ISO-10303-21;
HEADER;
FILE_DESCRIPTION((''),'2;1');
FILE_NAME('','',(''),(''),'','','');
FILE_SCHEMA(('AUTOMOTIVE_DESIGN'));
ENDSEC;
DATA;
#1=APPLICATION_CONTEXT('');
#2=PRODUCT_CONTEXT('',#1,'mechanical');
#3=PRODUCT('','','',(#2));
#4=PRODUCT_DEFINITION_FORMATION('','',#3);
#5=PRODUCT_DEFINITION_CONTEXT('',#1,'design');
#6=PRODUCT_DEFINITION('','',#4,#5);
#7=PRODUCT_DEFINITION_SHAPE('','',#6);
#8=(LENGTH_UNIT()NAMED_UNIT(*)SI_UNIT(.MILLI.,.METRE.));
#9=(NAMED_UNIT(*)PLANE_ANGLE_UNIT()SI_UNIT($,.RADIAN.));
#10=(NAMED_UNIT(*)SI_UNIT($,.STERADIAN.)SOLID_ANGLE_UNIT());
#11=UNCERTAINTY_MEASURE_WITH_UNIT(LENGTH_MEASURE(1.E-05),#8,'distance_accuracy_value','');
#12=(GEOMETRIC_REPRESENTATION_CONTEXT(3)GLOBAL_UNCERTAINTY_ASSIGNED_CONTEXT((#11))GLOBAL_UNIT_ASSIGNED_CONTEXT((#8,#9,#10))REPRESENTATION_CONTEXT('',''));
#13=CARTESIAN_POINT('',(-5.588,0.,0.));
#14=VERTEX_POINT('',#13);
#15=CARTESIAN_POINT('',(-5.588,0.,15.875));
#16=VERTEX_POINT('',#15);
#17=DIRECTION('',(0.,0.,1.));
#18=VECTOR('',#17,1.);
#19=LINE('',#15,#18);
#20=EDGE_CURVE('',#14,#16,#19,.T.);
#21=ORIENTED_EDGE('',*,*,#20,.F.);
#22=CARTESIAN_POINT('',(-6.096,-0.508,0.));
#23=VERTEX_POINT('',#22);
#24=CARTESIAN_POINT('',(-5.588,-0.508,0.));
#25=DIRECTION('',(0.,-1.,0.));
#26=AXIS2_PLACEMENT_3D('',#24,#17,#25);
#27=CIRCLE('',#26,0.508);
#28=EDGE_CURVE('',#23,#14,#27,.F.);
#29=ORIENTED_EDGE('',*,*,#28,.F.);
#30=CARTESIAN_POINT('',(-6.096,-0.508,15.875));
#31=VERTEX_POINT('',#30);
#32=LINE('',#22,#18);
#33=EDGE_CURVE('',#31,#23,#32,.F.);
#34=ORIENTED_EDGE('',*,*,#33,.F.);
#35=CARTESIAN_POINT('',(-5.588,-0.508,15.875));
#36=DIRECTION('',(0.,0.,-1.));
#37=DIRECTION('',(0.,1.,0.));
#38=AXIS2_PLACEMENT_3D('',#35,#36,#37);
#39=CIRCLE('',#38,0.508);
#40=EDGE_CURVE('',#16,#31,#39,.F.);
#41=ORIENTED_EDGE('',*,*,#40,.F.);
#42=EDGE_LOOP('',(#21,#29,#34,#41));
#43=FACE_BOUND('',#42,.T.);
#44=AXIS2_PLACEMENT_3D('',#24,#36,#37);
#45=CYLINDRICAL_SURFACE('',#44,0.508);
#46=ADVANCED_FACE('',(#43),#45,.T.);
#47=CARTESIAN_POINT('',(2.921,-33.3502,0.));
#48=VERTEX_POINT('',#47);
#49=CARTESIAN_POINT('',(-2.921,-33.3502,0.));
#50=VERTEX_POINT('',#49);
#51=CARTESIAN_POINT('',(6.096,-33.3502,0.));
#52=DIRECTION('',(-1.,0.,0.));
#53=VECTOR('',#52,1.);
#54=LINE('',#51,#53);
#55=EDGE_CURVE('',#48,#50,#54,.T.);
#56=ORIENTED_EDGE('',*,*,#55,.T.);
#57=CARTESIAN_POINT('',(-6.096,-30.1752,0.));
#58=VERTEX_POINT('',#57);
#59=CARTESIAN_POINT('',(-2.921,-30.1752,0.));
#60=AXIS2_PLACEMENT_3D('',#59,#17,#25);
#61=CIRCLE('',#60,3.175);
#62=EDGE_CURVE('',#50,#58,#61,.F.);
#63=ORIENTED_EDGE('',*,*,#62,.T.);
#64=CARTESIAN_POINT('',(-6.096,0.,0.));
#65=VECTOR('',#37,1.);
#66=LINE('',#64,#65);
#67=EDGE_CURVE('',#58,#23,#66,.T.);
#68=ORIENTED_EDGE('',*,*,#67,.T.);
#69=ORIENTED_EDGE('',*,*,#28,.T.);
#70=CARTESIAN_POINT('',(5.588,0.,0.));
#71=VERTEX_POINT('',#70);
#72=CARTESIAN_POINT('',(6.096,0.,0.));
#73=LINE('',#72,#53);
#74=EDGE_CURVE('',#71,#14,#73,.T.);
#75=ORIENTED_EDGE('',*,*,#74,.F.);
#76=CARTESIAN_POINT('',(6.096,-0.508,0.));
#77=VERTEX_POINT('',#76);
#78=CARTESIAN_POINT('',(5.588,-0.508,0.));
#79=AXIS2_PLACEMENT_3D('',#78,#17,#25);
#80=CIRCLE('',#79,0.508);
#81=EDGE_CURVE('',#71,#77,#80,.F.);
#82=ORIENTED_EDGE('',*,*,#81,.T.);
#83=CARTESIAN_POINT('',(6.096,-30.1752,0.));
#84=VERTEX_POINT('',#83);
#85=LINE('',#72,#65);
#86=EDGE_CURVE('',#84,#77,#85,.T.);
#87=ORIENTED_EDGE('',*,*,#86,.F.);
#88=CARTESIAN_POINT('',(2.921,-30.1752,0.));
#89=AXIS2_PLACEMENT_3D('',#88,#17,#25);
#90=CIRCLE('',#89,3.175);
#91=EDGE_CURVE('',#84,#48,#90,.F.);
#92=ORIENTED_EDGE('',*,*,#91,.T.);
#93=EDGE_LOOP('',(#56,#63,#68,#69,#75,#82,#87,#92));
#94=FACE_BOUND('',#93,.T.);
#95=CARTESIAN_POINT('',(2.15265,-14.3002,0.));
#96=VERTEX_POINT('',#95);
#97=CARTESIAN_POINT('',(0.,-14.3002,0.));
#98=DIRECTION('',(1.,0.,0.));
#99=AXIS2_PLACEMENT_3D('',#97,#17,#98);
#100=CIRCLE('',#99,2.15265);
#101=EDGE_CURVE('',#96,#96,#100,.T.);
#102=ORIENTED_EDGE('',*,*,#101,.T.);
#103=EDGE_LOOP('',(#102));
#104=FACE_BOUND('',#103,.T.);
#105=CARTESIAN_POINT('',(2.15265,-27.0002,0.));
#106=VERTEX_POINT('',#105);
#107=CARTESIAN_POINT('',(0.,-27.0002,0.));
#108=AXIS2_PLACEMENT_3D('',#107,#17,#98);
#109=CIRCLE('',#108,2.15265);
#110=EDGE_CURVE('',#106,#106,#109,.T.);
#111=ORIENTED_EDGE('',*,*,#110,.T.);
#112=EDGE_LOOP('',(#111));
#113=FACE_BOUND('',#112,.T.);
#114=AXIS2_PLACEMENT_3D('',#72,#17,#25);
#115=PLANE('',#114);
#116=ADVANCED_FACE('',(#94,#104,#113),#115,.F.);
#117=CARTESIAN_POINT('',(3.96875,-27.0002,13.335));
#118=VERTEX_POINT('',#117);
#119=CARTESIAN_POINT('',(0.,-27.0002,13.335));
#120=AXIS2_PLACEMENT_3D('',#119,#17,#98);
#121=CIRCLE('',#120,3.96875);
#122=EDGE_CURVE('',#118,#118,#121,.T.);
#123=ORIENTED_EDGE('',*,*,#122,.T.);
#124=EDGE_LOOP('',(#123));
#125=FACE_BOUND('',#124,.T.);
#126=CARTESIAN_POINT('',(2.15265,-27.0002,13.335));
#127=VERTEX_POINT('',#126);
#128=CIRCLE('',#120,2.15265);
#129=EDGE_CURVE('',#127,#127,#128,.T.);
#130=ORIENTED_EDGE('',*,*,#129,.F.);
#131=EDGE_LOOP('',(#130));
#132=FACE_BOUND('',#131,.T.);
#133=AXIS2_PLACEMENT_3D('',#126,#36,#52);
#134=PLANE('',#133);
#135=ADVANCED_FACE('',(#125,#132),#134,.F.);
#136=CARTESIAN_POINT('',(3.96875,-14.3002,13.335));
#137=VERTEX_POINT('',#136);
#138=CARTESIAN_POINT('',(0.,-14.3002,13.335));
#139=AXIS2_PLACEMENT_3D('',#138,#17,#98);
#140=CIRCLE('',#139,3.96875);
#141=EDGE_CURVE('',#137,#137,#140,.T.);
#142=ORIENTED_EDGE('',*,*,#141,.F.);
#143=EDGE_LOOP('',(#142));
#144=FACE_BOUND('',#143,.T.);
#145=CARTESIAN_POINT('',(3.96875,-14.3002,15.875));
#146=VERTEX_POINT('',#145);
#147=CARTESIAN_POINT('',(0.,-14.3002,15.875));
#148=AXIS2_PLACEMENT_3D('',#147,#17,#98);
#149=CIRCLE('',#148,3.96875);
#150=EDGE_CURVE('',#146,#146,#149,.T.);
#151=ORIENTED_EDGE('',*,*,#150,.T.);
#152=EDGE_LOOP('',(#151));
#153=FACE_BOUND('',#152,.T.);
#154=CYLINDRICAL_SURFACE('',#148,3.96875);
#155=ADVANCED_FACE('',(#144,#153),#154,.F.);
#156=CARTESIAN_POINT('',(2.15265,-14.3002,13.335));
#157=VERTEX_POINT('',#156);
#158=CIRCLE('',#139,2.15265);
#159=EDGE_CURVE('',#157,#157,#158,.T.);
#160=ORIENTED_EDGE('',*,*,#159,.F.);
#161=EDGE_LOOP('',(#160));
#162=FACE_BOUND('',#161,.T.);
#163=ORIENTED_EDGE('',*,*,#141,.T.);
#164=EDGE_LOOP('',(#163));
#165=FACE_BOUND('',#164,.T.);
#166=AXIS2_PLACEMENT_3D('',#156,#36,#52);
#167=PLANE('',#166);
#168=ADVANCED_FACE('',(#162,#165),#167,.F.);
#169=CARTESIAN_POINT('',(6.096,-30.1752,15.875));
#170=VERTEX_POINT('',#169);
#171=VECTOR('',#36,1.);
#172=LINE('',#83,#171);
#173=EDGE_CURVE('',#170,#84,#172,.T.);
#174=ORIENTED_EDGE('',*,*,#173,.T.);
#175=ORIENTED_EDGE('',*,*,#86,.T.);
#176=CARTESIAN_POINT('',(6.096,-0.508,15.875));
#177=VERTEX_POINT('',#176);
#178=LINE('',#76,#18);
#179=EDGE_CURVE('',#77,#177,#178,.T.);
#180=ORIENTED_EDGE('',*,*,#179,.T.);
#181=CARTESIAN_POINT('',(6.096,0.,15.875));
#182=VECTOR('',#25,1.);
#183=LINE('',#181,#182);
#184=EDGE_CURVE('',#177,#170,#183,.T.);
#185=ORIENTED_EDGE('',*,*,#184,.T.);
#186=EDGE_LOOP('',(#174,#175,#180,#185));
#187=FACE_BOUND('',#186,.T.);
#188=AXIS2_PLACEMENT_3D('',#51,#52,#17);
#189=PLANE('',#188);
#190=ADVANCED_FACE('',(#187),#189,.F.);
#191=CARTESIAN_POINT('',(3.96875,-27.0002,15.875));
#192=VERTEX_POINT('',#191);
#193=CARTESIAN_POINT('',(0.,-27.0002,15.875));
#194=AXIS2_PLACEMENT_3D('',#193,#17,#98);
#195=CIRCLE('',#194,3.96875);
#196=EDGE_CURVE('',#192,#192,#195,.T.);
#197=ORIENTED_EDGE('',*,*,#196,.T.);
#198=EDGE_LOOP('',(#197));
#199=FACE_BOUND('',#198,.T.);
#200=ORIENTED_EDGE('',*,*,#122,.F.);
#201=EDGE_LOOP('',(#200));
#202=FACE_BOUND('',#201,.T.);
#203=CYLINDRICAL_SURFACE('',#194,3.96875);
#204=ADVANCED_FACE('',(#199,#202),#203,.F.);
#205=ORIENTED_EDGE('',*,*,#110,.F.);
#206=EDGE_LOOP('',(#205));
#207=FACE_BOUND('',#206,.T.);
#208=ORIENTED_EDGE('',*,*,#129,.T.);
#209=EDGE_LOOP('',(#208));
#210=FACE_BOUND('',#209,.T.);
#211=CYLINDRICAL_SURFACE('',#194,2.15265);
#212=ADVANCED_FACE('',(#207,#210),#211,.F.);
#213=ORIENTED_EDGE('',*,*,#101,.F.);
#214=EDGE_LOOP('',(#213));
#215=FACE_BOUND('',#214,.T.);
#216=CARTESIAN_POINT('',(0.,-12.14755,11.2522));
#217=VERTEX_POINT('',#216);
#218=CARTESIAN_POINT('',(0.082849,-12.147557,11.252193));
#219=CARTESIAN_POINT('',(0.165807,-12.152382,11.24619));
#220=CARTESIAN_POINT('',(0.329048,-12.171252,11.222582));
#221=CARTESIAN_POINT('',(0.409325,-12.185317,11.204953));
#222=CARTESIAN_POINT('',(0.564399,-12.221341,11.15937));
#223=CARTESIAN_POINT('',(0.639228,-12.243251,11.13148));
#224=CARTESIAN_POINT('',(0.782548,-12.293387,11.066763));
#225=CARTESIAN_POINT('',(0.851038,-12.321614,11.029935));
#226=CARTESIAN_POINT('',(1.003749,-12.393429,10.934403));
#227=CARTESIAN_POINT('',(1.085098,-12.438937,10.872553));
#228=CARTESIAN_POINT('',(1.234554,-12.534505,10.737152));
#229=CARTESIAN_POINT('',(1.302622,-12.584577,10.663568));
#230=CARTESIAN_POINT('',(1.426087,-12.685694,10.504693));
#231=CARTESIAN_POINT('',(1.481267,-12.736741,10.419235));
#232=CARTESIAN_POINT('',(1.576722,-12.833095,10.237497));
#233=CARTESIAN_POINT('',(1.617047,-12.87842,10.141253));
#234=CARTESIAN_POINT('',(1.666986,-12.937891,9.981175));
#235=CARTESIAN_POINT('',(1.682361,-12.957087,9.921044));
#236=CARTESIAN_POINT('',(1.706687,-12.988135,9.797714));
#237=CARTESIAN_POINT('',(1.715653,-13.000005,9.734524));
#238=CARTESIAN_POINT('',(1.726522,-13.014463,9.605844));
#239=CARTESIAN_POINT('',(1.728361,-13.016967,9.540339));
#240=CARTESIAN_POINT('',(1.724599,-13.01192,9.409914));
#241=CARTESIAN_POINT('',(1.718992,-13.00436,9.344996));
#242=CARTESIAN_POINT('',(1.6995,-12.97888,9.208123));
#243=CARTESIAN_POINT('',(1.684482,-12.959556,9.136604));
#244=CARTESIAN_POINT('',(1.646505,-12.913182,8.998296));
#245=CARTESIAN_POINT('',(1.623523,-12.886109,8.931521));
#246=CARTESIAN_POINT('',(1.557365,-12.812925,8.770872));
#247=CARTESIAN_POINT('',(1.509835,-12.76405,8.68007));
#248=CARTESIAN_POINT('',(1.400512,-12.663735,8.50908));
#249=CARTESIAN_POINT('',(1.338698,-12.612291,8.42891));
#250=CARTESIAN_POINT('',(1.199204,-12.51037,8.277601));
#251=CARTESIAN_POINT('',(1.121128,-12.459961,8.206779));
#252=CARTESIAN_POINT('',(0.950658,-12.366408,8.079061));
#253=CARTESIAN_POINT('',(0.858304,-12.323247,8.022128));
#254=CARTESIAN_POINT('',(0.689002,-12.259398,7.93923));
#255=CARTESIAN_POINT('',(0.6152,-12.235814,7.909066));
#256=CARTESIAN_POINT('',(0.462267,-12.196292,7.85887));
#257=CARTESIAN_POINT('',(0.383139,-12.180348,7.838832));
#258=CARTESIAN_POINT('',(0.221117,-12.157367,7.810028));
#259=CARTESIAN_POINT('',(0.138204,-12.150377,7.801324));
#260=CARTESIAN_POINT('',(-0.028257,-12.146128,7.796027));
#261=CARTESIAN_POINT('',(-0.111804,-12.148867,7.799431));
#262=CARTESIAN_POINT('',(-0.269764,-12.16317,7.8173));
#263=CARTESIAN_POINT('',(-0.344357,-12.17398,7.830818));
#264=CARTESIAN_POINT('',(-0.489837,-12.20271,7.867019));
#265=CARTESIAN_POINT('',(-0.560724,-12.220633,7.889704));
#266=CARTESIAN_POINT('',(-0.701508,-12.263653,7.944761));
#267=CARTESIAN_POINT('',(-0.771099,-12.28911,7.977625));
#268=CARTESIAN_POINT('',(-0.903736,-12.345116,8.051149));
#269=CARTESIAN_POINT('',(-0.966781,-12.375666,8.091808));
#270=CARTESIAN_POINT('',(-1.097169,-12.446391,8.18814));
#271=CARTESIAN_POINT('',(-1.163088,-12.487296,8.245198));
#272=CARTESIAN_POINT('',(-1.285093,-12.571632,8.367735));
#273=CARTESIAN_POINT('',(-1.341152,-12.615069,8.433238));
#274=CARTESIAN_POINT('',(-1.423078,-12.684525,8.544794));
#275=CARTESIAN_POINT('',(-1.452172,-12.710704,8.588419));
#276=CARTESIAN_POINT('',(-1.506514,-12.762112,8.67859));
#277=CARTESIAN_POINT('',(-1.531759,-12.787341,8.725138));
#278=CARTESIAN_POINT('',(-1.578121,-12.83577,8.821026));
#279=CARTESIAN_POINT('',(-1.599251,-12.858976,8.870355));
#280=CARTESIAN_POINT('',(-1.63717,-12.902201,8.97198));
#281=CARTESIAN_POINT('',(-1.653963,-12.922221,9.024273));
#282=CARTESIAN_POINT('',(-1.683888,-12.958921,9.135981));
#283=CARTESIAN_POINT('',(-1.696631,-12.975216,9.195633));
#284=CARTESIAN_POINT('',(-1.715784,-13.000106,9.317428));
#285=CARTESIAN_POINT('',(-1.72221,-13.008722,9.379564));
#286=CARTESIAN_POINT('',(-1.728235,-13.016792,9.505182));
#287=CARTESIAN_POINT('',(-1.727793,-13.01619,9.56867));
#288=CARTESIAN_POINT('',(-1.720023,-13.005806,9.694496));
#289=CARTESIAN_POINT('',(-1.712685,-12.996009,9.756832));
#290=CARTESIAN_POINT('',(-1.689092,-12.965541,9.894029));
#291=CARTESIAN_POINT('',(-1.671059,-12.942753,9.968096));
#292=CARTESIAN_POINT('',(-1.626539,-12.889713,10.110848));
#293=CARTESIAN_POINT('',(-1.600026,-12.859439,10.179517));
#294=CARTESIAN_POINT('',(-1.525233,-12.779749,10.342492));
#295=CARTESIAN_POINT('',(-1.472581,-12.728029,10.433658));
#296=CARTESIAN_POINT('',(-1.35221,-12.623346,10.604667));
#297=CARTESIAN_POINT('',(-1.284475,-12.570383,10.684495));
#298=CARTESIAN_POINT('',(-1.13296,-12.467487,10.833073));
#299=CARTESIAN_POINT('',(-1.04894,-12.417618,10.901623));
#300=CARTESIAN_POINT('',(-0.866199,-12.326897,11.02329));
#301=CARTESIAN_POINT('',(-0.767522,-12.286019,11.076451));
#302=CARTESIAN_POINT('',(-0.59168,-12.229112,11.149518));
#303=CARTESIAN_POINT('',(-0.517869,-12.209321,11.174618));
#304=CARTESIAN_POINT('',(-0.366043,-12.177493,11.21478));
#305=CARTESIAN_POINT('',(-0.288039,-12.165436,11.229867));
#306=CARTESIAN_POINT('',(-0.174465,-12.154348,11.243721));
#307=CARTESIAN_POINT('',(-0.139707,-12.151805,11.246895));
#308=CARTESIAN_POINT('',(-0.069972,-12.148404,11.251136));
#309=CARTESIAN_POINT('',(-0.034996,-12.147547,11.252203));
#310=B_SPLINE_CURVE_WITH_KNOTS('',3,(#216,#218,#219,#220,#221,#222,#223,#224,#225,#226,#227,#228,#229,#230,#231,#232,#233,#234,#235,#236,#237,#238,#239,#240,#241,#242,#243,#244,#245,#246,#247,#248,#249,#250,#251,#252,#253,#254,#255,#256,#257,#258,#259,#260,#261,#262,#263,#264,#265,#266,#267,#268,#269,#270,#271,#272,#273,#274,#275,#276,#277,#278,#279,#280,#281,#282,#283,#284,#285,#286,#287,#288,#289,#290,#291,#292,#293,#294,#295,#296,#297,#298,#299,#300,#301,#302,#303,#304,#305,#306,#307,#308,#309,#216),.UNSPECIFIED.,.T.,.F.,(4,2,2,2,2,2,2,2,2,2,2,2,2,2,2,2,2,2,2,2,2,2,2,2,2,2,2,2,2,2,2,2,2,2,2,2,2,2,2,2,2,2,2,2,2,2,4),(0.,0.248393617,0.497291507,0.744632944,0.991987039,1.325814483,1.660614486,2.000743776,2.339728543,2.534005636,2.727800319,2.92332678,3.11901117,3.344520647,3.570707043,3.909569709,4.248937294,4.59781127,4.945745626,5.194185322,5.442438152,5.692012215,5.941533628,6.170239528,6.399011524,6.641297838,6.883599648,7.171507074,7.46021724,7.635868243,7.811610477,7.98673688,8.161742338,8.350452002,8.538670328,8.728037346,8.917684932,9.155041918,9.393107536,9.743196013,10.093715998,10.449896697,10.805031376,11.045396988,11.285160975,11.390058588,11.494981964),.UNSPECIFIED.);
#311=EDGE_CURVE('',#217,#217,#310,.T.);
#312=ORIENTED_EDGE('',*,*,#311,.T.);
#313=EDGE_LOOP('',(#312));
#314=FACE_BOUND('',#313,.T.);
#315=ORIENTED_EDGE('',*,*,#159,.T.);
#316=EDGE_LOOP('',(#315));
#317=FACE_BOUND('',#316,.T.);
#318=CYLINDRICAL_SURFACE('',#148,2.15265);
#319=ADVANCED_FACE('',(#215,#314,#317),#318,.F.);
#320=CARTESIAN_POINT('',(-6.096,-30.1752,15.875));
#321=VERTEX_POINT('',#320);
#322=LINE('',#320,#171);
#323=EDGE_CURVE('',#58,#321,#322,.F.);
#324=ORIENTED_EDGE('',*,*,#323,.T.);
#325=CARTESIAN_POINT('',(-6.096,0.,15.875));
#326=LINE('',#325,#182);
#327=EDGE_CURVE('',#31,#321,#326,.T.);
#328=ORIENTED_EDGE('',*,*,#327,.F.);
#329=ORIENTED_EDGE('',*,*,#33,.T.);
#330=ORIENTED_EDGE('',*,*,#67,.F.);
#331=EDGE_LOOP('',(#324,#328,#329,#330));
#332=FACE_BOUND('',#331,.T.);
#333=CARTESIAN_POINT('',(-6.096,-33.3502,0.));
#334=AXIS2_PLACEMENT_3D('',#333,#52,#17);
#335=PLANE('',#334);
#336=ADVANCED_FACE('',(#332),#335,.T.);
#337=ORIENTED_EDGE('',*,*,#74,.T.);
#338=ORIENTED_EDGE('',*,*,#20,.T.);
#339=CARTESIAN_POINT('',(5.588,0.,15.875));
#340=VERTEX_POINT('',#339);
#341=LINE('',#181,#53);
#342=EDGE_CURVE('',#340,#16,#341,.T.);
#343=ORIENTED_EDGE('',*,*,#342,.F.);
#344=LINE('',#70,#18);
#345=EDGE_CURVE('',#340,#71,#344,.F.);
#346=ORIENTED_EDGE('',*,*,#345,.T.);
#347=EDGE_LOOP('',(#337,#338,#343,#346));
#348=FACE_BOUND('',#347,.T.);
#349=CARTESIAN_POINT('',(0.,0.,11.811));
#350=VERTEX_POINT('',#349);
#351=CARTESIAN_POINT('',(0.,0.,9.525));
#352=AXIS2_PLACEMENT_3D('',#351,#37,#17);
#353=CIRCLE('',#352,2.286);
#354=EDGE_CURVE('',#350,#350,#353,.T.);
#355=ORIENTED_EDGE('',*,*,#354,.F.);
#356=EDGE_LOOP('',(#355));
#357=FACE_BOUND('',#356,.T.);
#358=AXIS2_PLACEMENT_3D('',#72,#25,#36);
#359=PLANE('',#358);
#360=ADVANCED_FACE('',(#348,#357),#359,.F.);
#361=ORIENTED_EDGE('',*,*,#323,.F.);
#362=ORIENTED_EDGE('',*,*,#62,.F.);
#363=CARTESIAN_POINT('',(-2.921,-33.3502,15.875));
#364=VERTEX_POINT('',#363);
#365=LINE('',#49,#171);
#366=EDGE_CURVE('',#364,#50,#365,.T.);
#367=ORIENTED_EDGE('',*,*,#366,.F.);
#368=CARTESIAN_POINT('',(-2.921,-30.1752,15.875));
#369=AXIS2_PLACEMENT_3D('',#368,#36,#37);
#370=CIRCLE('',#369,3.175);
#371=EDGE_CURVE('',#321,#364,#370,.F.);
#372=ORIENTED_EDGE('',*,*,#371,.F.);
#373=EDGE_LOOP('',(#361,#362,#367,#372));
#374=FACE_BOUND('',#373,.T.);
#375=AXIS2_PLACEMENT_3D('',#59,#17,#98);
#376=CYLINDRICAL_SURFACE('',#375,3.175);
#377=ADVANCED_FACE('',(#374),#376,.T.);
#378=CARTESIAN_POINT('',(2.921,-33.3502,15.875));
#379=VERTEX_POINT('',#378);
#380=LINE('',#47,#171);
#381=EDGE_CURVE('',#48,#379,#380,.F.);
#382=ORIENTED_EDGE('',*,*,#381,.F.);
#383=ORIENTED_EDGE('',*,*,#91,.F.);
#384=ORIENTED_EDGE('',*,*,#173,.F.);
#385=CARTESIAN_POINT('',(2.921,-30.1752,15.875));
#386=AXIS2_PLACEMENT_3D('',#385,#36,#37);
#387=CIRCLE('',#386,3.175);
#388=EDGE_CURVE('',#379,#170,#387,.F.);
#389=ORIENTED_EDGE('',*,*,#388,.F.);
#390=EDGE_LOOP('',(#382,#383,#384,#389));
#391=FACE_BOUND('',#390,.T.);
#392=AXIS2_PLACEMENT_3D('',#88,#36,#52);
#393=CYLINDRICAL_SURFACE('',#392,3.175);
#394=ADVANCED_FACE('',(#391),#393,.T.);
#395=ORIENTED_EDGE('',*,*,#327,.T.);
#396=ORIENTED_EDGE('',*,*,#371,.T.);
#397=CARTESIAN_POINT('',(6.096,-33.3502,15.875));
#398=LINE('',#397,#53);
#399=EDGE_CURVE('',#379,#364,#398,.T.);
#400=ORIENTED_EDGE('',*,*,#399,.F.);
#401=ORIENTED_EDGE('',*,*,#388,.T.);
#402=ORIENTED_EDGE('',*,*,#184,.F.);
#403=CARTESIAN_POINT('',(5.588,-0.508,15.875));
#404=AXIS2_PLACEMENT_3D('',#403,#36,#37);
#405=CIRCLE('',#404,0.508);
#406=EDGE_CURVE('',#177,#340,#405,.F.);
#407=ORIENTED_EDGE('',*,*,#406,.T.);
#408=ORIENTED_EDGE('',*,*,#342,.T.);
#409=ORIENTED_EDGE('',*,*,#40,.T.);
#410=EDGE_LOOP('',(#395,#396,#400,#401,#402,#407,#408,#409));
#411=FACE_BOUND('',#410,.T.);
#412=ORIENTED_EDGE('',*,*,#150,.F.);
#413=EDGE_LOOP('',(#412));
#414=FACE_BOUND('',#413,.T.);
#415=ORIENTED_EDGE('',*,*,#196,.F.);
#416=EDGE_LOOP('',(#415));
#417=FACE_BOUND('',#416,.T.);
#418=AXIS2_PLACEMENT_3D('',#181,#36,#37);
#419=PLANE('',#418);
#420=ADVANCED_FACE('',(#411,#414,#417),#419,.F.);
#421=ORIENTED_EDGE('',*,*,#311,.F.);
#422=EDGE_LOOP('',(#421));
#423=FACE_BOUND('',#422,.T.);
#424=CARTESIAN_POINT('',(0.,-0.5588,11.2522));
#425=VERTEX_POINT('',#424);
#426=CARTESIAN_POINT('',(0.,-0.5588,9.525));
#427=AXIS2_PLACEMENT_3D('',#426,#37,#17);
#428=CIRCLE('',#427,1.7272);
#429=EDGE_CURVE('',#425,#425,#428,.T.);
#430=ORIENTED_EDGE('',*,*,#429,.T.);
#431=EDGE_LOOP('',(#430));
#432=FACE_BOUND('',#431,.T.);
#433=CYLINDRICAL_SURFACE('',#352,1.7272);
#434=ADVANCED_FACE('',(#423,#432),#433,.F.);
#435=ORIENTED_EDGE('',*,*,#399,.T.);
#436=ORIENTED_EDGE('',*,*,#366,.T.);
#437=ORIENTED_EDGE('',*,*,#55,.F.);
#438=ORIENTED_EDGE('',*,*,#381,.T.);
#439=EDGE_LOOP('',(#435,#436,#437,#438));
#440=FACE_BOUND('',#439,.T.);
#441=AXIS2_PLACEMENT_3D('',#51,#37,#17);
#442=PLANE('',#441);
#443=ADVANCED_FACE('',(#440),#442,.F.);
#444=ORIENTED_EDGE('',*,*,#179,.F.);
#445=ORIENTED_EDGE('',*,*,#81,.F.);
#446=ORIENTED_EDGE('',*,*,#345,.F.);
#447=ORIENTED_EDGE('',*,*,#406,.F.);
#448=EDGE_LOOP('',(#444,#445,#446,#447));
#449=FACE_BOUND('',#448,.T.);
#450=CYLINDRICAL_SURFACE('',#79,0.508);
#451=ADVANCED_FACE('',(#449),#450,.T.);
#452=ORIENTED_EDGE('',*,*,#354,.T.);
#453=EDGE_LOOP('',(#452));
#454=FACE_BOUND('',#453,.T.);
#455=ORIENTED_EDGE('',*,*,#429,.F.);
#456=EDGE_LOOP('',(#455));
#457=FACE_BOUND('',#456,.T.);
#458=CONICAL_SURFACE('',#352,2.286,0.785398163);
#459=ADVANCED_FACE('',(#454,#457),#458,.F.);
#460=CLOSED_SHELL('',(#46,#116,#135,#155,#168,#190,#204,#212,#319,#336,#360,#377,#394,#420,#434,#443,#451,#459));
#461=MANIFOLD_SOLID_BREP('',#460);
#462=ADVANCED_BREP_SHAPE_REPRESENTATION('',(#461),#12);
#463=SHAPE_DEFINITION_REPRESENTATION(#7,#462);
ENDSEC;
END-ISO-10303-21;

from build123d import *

# Parameters (mm, degrees)
SKETCH1_W                                      = 15.875
SKETCH1_H                                      = 33.3502
BOSS_EXTRUDE1_DEPTH                            = 6.096
CBORE_FOR_8_SOCKET_HEAD_CAP_SCREW1_D           = 4.3053
CBORE_FOR_8_SOCKET_HEAD_CAP_SCREW1_CBORE_D     = 7.9375
CBORE_FOR_8_SOCKET_HEAD_CAP_SCREW1_CBORE_DEPTH = 2.54
F_8_32_TAPPED_HOLE1_D                          = 3.4544
F_8_32_TAPPED_HOLE1_DEPTH                      = 15.24
F_8_32_TAPPED_HOLE1_CSINK_D                    = 4.572
F_8_32_TAPPED_HOLE1_CSINK_ANGLE                = 90
F_8_32_TAPPED_HOLE1_TIP                        = 1.037806461
FILLET1_R                                      = 3.175
FILLET2_R                                      = 0.508


with BuildPart() as part:
    # Sketch1 → Boss-Extrude1 (new, symmetric)
    with BuildSketch(Plane(origin=(0, 0, 0), x_dir=(0, 0, -1), z_dir=(1, 0, 0))):
        with Locations((-7.9375, -16.6751)):
            Rectangle(SKETCH1_W, SKETCH1_H)
    extrude(amount=BOSS_EXTRUDE1_DEPTH, both=True)

    # CBORE for #8 Socket Head Cap Screw1 (through all)
    with Locations(Plane.XY.offset(15.875)):
        with Locations((0, -14.3002), (0, -27.0002)):
            CounterBoreHole(CBORE_FOR_8_SOCKET_HEAD_CAP_SCREW1_D / 2, CBORE_FOR_8_SOCKET_HEAD_CAP_SCREW1_CBORE_D / 2, CBORE_FOR_8_SOCKET_HEAD_CAP_SCREW1_CBORE_DEPTH)

    # #8-32 Tapped Hole1
    with Locations(Plane(origin=(0, 0, 0), x_dir=(-1, 0, 0), z_dir=(0, 1, 0))):
        with Locations((0, 9.525)):
            CounterSinkHole(F_8_32_TAPPED_HOLE1_D / 2, F_8_32_TAPPED_HOLE1_CSINK_D / 2, depth=F_8_32_TAPPED_HOLE1_DEPTH, counter_sink_angle=F_8_32_TAPPED_HOLE1_CSINK_ANGLE)
            with Locations((0, 0, -(F_8_32_TAPPED_HOLE1_DEPTH + F_8_32_TAPPED_HOLE1_TIP / 2))):  # 118° drill point
                Cone(0, F_8_32_TAPPED_HOLE1_D / 2, F_8_32_TAPPED_HOLE1_TIP, mode=Mode.SUBTRACT)

    # Fillet1
    fillet1_edges = [part.edges().sort_by_distance(p)[0] for p in [
        (6.096, -33.3502, 7.9375),
        (-6.096, -33.3502, 7.9375),
    ]]
    fillet(fillet1_edges, radius=FILLET1_R)

    # Fillet2
    fillet2_edges = [part.edges().sort_by_distance(p)[0] for p in [
        (-6.096, 0, 7.9375),
        (6.096, 0, 7.9375),
    ]]
    fillet(fillet2_edges, radius=FILLET2_R)


solid = part.part
